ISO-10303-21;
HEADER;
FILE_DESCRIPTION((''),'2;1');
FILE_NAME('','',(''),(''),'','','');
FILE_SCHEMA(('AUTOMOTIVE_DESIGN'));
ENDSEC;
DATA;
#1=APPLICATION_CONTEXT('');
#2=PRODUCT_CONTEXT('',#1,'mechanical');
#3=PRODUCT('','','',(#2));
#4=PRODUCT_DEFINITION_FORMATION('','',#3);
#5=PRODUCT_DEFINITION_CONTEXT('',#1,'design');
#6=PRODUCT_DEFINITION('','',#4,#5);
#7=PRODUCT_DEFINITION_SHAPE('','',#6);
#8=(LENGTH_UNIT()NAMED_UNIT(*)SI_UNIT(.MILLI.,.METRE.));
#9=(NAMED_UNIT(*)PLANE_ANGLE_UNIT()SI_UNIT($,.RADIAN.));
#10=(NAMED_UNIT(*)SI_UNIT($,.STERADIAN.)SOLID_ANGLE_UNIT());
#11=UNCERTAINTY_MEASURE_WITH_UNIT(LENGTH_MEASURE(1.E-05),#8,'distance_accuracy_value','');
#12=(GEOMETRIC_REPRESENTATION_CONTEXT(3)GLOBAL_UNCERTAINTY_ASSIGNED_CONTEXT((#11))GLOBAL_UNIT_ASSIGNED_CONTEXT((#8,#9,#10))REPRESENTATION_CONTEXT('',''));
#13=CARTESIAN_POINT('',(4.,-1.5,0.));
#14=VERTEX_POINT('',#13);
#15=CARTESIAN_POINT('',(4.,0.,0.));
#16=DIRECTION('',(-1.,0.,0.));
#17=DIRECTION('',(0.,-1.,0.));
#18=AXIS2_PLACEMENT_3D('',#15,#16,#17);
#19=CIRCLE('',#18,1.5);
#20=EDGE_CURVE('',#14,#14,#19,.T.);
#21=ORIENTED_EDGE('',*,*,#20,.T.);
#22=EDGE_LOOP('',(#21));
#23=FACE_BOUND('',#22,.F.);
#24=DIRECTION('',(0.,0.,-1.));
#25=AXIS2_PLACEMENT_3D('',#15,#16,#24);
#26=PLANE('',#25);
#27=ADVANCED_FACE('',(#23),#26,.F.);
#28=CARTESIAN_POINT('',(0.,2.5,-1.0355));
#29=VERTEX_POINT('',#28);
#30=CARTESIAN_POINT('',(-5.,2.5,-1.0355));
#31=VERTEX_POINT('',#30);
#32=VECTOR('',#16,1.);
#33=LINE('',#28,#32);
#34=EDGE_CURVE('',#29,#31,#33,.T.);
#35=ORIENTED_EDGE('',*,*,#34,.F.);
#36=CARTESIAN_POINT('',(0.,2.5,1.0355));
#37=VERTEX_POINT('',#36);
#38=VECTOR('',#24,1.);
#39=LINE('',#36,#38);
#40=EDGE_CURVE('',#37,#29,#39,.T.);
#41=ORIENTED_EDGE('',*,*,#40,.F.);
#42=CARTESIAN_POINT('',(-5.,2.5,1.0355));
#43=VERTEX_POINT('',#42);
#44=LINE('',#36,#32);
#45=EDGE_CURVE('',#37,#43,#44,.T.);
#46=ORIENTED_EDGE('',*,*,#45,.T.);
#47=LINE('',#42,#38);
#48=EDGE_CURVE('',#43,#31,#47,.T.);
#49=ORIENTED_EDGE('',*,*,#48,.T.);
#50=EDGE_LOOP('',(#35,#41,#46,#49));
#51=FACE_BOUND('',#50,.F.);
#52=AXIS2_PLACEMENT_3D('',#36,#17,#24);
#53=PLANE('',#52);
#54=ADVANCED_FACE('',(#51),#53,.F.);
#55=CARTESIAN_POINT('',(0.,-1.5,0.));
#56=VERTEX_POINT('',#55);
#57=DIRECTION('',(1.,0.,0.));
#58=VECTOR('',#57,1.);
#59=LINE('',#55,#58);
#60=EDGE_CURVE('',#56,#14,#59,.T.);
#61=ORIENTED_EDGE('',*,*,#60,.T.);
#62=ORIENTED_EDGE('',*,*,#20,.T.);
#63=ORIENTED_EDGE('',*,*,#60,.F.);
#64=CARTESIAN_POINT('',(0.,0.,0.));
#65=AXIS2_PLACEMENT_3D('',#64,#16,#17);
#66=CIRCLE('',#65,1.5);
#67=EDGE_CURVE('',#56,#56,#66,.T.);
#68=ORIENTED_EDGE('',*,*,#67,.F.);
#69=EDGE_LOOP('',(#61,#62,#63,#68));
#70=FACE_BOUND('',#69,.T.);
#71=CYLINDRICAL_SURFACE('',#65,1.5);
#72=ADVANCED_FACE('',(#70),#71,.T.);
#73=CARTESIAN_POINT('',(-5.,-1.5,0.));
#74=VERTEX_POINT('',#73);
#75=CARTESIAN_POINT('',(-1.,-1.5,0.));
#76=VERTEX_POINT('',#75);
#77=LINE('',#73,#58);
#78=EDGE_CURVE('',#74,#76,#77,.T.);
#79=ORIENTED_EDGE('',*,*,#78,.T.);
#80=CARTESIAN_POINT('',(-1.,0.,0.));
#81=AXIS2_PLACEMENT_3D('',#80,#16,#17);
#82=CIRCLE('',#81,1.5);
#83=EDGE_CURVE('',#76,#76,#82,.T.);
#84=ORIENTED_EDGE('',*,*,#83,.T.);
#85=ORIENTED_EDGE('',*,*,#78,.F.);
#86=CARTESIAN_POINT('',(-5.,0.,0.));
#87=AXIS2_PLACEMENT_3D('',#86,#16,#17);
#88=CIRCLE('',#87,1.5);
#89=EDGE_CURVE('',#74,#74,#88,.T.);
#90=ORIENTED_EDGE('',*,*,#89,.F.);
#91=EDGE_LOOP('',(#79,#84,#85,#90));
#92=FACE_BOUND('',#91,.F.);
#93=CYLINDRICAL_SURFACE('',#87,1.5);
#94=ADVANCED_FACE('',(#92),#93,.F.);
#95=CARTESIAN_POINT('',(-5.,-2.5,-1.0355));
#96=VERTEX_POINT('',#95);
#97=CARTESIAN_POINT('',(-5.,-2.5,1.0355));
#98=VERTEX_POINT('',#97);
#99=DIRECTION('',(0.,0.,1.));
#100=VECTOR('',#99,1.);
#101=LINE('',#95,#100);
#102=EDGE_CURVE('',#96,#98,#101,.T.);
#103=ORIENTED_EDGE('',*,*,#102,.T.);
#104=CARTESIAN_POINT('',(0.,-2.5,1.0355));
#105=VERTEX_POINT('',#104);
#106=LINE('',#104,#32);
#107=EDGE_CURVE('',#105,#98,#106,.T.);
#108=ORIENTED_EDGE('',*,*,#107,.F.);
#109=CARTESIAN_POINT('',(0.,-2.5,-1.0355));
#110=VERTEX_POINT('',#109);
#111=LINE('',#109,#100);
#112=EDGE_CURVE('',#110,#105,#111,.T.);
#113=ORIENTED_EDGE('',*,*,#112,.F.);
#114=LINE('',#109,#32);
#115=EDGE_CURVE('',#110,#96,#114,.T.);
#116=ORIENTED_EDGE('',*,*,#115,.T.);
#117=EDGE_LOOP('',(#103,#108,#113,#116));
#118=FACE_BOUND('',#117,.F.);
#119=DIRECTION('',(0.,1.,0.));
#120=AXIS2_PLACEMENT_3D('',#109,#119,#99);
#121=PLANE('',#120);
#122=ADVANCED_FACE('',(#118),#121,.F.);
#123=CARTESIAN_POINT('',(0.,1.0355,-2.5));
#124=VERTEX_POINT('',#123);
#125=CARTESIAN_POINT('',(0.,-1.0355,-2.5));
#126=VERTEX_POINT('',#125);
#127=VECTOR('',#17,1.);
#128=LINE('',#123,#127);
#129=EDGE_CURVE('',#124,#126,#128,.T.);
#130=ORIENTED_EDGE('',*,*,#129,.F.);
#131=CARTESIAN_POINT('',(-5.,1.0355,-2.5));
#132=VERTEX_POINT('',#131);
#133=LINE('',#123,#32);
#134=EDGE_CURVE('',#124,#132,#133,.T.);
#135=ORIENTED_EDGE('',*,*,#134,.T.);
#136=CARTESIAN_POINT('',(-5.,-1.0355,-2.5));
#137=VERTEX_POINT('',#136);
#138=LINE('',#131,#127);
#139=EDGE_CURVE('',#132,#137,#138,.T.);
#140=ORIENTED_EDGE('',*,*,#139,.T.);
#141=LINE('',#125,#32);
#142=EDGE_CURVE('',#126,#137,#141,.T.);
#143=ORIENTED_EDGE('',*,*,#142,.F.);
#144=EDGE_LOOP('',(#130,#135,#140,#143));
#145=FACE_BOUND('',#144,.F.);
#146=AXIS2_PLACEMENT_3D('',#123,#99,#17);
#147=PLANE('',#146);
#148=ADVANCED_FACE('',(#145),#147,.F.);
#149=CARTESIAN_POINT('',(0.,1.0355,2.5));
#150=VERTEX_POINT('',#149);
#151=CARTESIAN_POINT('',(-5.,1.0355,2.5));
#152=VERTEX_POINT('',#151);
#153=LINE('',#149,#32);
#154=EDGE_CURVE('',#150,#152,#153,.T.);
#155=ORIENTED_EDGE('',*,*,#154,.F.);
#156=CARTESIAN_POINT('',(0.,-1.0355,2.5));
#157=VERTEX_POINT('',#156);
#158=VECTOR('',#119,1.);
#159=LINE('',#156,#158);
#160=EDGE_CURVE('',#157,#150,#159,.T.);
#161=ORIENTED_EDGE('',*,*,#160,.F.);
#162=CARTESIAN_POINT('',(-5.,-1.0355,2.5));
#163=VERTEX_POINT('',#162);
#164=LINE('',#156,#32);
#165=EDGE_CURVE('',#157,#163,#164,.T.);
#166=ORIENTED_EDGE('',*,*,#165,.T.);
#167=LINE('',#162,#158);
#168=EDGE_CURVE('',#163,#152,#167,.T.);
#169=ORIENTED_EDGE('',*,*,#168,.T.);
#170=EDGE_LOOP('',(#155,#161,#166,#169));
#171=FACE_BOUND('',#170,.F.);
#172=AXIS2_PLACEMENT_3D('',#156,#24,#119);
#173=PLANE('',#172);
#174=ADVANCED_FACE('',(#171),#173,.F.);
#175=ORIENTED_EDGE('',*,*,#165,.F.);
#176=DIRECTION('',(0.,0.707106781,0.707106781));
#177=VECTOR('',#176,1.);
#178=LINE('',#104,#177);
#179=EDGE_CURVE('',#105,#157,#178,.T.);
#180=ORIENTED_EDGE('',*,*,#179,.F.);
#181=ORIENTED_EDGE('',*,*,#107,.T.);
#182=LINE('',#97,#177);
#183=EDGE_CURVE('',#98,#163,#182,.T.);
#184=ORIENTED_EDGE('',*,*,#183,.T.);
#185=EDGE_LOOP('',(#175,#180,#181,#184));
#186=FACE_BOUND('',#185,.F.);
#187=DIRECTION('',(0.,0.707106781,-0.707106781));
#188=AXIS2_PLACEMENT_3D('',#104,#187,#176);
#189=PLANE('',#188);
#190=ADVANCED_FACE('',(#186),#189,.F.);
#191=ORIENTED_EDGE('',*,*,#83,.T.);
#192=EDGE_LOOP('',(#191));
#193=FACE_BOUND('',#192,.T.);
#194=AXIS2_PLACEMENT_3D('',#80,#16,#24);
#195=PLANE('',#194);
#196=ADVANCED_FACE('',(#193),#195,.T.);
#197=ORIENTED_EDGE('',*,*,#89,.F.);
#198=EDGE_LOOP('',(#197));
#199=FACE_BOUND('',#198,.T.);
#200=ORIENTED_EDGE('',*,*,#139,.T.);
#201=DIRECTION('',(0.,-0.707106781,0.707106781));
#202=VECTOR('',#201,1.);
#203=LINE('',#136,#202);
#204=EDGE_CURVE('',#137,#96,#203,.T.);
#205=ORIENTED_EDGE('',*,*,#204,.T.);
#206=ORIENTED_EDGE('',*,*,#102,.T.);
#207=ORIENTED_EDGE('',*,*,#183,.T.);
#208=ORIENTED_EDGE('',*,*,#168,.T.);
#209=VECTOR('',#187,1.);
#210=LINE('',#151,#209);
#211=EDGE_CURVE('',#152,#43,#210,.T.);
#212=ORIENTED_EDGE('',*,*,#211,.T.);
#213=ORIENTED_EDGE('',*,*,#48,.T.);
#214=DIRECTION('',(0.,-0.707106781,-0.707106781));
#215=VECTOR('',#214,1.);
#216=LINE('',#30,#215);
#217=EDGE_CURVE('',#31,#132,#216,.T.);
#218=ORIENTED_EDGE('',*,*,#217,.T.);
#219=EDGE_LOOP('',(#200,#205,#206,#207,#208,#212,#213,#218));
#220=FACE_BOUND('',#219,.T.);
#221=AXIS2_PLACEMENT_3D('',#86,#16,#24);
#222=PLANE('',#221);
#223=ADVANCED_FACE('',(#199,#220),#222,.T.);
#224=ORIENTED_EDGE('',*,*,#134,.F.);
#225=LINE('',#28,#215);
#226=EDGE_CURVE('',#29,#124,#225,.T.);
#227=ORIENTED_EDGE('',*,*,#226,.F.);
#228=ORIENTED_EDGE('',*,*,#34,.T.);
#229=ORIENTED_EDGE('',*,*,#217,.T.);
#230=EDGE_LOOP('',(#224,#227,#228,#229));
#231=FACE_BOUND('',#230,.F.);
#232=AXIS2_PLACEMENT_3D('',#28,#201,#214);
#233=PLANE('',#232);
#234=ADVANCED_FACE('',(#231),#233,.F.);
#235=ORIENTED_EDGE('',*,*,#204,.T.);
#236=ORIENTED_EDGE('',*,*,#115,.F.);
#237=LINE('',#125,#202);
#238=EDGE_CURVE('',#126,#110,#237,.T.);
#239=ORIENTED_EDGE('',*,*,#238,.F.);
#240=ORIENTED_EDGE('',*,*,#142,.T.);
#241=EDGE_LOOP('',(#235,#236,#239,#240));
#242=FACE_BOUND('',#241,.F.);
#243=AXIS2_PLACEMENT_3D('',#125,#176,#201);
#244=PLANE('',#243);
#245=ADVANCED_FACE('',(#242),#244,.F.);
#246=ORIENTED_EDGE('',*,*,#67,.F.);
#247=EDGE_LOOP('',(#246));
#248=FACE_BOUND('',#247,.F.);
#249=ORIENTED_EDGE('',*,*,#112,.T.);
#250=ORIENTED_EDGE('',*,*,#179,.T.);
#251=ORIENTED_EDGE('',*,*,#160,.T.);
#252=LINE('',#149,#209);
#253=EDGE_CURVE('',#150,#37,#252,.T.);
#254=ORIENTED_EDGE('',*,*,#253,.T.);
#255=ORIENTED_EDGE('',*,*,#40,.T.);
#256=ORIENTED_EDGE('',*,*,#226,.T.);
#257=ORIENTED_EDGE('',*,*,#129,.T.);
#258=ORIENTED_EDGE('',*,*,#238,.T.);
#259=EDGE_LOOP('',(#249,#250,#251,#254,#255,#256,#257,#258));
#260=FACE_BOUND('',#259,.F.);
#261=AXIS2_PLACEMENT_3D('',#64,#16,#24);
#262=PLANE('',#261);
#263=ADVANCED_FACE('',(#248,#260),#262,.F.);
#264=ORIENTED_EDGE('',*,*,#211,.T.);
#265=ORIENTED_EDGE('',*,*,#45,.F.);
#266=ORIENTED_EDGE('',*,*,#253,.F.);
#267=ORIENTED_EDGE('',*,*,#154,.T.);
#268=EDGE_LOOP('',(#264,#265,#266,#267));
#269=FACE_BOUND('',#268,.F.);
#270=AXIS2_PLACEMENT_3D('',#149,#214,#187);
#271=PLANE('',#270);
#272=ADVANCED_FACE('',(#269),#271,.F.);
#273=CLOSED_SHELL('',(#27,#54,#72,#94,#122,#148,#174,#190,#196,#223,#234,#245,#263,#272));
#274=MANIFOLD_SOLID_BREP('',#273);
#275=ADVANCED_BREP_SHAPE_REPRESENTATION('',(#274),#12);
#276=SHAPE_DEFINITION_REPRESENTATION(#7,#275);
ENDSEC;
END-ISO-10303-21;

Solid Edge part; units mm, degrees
sketch "Sketch1" plane through (0, 0, 0) normal (-1, 0, 0) x (0, -1, 0)
  circle A0 centre (0, 0) radius 1.5
  dimension "D1" = 3
extrude "Protrusion1" add sketch "Sketch1" against normal blind 4
sketch "Sketch2" plane through (0, 0, 0) normal (-1, 0, 0) x (0, -1, 0)
  line L0 (-1.0355, -2.5) -> (1.0355, -2.5)
  line L1 (1.0355, -2.5) -> (2.5, -1.0355)
  line L2 (2.5, -1.0355) -> (2.5, 1.0355)
  line L3 (2.5, 1.0355) -> (1.0355, 2.5)
  line L4 (1.0355, 2.5) -> (-1.0355, 2.5)
  line L5 (-1.0355, 2.5) -> (-2.5, 1.0355)
  line L6 (-2.5, 1.0355) -> (-2.5, -1.0355)
  line L7 (-2.5, -1.0355) -> (-1.0355, -2.5)
  dimension "D1" = 2.0711
  dimension "D2" = 2.0711
  dimension "D3" = 2.0711
  dimension "D4" = 2.0711
extrude "Protrusion2" add sketch "Sketch2" along normal blind 5
sketch "Sketch3" plane through (-5, 0, 0) normal (-1, 0, 0) x (0, -1, 0)
  circle A0 centre (0, 0) radius 1.5
  dimension "D1" = 3
extrude "ExtrudedCutout_32" cut sketch "Sketch3" against normal blind 4
